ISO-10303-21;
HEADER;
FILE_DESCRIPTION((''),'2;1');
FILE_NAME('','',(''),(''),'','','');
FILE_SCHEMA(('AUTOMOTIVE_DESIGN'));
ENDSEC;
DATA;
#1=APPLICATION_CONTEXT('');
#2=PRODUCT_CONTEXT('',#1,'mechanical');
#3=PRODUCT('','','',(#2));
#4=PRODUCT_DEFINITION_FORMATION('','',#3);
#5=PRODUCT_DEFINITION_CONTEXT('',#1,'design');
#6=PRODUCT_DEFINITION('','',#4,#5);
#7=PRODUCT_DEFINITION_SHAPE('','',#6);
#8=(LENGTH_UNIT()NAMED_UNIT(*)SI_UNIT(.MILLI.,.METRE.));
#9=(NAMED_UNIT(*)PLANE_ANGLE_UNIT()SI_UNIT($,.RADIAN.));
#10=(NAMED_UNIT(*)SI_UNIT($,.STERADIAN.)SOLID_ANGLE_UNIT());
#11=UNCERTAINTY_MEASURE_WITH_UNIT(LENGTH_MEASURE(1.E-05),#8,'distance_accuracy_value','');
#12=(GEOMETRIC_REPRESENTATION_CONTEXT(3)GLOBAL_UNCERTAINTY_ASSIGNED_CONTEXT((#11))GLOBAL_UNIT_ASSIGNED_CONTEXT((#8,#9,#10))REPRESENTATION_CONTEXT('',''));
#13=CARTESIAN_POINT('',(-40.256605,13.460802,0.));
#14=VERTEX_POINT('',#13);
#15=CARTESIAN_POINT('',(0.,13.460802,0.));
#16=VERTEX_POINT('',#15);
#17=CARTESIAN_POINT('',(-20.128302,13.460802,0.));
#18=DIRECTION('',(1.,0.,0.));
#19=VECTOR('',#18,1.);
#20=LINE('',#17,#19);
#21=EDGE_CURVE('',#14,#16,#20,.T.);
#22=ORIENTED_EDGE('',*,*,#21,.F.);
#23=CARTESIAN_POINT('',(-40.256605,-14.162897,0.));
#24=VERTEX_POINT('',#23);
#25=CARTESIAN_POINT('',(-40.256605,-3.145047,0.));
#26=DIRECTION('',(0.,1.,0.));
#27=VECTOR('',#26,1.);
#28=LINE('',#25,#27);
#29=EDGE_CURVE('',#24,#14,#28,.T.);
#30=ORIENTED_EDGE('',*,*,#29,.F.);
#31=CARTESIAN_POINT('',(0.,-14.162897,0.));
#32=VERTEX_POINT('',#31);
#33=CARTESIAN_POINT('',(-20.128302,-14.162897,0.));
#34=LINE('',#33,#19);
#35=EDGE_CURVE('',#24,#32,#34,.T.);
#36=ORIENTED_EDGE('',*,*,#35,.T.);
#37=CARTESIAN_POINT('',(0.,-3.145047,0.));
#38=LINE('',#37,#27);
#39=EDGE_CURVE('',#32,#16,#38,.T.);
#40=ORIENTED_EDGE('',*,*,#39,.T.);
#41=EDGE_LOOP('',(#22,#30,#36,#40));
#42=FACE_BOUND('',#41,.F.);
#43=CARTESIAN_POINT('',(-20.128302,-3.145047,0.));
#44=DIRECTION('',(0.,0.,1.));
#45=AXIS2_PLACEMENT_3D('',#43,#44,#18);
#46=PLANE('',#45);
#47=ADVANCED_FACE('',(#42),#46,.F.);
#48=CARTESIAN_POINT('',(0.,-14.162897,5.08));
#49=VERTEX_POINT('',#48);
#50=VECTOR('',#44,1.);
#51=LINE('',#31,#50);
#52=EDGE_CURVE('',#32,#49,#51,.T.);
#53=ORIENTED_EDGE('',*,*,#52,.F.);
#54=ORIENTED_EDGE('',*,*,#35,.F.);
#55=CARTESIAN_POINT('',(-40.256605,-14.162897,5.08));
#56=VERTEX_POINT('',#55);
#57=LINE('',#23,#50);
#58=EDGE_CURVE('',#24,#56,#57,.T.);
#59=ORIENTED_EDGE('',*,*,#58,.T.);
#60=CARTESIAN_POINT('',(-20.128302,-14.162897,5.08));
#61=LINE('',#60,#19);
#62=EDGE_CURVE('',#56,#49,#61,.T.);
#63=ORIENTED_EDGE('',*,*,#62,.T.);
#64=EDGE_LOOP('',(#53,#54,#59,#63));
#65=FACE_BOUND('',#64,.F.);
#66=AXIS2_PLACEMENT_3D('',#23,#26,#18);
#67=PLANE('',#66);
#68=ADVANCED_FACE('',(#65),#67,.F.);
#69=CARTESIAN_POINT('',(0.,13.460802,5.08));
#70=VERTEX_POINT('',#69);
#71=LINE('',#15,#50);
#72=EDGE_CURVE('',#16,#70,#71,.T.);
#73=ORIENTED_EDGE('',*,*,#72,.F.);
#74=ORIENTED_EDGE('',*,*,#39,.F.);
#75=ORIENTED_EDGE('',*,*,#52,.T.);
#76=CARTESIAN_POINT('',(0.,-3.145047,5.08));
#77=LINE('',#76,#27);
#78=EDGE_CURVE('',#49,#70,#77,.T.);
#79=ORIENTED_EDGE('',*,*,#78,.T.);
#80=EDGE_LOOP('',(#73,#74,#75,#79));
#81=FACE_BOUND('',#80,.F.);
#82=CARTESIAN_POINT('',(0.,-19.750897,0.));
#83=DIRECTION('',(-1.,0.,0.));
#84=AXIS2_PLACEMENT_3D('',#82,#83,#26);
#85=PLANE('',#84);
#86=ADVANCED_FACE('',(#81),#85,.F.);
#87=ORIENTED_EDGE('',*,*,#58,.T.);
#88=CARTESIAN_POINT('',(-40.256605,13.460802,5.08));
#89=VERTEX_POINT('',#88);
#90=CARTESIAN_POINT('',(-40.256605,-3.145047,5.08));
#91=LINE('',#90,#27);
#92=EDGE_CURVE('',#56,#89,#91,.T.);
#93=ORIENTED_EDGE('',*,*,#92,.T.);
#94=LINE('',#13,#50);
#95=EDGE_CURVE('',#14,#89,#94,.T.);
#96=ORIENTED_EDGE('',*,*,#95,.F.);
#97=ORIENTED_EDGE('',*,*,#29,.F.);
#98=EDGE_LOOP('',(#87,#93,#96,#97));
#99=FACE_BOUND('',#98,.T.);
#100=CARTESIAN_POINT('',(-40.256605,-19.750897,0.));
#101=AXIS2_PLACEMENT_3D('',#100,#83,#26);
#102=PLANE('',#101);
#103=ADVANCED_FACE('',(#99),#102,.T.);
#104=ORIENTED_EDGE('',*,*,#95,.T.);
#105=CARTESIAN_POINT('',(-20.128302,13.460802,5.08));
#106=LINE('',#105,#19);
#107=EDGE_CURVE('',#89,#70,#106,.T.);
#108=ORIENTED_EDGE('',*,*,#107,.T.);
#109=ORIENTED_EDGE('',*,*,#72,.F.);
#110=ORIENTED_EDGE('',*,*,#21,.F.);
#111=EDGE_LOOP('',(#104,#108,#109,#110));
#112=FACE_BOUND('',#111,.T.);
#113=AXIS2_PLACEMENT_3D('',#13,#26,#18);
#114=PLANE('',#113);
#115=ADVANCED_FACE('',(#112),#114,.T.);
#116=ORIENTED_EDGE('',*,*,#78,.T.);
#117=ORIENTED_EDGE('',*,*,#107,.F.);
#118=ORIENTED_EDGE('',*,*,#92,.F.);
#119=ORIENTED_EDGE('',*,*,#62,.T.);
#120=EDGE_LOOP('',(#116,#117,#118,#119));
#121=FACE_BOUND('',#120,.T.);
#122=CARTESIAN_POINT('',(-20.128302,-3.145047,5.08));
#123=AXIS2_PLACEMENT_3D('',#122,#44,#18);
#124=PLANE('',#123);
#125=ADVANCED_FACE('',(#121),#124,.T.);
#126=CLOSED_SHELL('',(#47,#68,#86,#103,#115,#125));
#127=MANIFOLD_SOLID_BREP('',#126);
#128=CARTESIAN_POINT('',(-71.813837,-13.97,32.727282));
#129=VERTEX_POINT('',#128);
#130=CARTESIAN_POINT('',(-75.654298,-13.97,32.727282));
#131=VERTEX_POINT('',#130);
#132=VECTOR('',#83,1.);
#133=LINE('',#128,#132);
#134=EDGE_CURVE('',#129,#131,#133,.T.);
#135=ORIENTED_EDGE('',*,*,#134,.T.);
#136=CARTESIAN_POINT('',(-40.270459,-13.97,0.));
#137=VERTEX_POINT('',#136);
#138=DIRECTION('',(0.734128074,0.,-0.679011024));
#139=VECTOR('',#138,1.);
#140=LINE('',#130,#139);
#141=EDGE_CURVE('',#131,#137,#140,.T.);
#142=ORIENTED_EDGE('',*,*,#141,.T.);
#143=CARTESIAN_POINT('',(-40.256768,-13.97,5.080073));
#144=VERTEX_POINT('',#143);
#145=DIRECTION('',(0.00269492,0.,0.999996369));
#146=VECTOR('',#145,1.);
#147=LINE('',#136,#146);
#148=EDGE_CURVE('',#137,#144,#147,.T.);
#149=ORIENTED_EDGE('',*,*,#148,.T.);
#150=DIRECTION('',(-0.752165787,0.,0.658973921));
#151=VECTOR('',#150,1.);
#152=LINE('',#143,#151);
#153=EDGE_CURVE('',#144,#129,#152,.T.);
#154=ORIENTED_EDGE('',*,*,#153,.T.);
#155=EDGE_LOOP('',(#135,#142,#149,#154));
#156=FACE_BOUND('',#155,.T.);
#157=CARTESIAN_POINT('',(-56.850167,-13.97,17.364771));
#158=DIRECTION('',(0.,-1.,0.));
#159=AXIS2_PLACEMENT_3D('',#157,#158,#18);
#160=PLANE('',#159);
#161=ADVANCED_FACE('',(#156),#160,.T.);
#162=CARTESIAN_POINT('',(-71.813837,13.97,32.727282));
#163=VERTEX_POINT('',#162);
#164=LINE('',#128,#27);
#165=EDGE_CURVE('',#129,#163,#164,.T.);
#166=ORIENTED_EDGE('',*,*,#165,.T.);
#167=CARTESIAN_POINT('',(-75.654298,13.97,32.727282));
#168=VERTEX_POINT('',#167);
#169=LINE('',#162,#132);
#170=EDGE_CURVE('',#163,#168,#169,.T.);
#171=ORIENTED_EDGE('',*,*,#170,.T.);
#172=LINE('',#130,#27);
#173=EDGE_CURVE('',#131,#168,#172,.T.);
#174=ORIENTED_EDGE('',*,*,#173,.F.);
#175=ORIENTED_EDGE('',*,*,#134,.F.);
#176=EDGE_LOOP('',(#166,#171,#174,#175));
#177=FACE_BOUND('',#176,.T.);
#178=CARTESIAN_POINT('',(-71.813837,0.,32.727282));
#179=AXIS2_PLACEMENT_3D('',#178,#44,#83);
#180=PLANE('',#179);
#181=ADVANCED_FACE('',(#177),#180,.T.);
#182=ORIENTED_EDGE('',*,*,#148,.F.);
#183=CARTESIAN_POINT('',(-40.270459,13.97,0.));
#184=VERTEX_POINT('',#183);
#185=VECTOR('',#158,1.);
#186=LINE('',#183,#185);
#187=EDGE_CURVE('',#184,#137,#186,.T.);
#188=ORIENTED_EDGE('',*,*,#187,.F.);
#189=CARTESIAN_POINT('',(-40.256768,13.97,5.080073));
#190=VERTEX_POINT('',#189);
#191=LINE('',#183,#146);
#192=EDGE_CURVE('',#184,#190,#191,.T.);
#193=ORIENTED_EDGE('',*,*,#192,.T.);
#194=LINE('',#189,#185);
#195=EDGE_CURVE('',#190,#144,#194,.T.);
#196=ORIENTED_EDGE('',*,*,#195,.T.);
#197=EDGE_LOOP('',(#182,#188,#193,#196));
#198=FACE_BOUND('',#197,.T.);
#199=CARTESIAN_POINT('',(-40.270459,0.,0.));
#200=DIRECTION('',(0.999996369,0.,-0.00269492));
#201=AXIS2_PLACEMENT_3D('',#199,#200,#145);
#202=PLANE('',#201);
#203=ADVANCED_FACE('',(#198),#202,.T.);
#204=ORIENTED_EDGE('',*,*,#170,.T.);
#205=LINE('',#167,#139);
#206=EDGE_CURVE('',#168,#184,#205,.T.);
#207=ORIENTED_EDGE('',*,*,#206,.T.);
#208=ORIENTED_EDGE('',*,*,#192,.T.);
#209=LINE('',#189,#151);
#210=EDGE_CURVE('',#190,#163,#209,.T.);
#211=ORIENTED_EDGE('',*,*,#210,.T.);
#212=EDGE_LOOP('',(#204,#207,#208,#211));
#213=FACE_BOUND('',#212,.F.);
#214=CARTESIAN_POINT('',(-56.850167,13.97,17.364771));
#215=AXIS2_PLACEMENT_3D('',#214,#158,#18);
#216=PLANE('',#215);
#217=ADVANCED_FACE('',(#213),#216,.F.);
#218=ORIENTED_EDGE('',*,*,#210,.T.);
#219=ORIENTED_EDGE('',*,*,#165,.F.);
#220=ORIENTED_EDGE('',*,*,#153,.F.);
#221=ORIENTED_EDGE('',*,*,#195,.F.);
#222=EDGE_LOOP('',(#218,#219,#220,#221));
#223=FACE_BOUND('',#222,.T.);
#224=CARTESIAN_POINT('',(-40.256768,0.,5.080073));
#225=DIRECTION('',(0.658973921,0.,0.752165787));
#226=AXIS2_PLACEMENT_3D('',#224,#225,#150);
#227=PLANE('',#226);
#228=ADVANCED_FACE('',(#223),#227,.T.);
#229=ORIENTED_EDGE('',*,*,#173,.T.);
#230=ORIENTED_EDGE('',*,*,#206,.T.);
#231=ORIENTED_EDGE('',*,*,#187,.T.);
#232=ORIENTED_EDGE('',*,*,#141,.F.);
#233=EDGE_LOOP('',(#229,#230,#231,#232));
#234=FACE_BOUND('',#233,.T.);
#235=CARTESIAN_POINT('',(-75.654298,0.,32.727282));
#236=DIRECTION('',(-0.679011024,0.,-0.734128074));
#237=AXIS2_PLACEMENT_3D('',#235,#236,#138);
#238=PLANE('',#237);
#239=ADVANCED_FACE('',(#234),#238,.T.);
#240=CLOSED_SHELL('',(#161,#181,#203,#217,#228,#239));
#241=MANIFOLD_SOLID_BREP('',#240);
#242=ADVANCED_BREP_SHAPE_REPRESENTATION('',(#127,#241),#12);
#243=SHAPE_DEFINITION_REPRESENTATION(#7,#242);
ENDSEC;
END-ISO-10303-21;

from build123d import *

# Parameters (mm, degrees)
F0_W     = 40.2566045523
F0_H     = 33.2116987556
F1_DEPTH = 5.08
F3_DEPTH = 13.97
F4_DEPTH = 5.588


with BuildPart() as f1:
    # F0 (on Top) → F1 (new body)
    with BuildSketch(Plane.XY):
        with Locations((-20.1283022761, -3.1450474635)):
            Rectangle(F0_W, F0_H)
    extrude(amount=F1_DEPTH)

    # F4 (cut): a face of the model
    f4_faces = [f1.faces().sort_by_distance(p)[0] for p in [
        (-20.1283022761, -19.7508968413, 2.54),
    ]]
    extrude(f4_faces, amount=-F4_DEPTH, mode=Mode.SUBTRACT)


with BuildPart() as f3:
    # F2 (on Front) → F3 (new body, symmetric)
    with BuildSketch(Plane.XZ):
        Polygon((-75.6542980671, 32.7272824943), (-40.2704589069, 0), (-40.256768465, 5.0800731406), (-71.8138366938, 32.7272824943), align=None)
    extrude(amount=F3_DEPTH, both=True)


solid = Compound([f1.part, f3.part])
